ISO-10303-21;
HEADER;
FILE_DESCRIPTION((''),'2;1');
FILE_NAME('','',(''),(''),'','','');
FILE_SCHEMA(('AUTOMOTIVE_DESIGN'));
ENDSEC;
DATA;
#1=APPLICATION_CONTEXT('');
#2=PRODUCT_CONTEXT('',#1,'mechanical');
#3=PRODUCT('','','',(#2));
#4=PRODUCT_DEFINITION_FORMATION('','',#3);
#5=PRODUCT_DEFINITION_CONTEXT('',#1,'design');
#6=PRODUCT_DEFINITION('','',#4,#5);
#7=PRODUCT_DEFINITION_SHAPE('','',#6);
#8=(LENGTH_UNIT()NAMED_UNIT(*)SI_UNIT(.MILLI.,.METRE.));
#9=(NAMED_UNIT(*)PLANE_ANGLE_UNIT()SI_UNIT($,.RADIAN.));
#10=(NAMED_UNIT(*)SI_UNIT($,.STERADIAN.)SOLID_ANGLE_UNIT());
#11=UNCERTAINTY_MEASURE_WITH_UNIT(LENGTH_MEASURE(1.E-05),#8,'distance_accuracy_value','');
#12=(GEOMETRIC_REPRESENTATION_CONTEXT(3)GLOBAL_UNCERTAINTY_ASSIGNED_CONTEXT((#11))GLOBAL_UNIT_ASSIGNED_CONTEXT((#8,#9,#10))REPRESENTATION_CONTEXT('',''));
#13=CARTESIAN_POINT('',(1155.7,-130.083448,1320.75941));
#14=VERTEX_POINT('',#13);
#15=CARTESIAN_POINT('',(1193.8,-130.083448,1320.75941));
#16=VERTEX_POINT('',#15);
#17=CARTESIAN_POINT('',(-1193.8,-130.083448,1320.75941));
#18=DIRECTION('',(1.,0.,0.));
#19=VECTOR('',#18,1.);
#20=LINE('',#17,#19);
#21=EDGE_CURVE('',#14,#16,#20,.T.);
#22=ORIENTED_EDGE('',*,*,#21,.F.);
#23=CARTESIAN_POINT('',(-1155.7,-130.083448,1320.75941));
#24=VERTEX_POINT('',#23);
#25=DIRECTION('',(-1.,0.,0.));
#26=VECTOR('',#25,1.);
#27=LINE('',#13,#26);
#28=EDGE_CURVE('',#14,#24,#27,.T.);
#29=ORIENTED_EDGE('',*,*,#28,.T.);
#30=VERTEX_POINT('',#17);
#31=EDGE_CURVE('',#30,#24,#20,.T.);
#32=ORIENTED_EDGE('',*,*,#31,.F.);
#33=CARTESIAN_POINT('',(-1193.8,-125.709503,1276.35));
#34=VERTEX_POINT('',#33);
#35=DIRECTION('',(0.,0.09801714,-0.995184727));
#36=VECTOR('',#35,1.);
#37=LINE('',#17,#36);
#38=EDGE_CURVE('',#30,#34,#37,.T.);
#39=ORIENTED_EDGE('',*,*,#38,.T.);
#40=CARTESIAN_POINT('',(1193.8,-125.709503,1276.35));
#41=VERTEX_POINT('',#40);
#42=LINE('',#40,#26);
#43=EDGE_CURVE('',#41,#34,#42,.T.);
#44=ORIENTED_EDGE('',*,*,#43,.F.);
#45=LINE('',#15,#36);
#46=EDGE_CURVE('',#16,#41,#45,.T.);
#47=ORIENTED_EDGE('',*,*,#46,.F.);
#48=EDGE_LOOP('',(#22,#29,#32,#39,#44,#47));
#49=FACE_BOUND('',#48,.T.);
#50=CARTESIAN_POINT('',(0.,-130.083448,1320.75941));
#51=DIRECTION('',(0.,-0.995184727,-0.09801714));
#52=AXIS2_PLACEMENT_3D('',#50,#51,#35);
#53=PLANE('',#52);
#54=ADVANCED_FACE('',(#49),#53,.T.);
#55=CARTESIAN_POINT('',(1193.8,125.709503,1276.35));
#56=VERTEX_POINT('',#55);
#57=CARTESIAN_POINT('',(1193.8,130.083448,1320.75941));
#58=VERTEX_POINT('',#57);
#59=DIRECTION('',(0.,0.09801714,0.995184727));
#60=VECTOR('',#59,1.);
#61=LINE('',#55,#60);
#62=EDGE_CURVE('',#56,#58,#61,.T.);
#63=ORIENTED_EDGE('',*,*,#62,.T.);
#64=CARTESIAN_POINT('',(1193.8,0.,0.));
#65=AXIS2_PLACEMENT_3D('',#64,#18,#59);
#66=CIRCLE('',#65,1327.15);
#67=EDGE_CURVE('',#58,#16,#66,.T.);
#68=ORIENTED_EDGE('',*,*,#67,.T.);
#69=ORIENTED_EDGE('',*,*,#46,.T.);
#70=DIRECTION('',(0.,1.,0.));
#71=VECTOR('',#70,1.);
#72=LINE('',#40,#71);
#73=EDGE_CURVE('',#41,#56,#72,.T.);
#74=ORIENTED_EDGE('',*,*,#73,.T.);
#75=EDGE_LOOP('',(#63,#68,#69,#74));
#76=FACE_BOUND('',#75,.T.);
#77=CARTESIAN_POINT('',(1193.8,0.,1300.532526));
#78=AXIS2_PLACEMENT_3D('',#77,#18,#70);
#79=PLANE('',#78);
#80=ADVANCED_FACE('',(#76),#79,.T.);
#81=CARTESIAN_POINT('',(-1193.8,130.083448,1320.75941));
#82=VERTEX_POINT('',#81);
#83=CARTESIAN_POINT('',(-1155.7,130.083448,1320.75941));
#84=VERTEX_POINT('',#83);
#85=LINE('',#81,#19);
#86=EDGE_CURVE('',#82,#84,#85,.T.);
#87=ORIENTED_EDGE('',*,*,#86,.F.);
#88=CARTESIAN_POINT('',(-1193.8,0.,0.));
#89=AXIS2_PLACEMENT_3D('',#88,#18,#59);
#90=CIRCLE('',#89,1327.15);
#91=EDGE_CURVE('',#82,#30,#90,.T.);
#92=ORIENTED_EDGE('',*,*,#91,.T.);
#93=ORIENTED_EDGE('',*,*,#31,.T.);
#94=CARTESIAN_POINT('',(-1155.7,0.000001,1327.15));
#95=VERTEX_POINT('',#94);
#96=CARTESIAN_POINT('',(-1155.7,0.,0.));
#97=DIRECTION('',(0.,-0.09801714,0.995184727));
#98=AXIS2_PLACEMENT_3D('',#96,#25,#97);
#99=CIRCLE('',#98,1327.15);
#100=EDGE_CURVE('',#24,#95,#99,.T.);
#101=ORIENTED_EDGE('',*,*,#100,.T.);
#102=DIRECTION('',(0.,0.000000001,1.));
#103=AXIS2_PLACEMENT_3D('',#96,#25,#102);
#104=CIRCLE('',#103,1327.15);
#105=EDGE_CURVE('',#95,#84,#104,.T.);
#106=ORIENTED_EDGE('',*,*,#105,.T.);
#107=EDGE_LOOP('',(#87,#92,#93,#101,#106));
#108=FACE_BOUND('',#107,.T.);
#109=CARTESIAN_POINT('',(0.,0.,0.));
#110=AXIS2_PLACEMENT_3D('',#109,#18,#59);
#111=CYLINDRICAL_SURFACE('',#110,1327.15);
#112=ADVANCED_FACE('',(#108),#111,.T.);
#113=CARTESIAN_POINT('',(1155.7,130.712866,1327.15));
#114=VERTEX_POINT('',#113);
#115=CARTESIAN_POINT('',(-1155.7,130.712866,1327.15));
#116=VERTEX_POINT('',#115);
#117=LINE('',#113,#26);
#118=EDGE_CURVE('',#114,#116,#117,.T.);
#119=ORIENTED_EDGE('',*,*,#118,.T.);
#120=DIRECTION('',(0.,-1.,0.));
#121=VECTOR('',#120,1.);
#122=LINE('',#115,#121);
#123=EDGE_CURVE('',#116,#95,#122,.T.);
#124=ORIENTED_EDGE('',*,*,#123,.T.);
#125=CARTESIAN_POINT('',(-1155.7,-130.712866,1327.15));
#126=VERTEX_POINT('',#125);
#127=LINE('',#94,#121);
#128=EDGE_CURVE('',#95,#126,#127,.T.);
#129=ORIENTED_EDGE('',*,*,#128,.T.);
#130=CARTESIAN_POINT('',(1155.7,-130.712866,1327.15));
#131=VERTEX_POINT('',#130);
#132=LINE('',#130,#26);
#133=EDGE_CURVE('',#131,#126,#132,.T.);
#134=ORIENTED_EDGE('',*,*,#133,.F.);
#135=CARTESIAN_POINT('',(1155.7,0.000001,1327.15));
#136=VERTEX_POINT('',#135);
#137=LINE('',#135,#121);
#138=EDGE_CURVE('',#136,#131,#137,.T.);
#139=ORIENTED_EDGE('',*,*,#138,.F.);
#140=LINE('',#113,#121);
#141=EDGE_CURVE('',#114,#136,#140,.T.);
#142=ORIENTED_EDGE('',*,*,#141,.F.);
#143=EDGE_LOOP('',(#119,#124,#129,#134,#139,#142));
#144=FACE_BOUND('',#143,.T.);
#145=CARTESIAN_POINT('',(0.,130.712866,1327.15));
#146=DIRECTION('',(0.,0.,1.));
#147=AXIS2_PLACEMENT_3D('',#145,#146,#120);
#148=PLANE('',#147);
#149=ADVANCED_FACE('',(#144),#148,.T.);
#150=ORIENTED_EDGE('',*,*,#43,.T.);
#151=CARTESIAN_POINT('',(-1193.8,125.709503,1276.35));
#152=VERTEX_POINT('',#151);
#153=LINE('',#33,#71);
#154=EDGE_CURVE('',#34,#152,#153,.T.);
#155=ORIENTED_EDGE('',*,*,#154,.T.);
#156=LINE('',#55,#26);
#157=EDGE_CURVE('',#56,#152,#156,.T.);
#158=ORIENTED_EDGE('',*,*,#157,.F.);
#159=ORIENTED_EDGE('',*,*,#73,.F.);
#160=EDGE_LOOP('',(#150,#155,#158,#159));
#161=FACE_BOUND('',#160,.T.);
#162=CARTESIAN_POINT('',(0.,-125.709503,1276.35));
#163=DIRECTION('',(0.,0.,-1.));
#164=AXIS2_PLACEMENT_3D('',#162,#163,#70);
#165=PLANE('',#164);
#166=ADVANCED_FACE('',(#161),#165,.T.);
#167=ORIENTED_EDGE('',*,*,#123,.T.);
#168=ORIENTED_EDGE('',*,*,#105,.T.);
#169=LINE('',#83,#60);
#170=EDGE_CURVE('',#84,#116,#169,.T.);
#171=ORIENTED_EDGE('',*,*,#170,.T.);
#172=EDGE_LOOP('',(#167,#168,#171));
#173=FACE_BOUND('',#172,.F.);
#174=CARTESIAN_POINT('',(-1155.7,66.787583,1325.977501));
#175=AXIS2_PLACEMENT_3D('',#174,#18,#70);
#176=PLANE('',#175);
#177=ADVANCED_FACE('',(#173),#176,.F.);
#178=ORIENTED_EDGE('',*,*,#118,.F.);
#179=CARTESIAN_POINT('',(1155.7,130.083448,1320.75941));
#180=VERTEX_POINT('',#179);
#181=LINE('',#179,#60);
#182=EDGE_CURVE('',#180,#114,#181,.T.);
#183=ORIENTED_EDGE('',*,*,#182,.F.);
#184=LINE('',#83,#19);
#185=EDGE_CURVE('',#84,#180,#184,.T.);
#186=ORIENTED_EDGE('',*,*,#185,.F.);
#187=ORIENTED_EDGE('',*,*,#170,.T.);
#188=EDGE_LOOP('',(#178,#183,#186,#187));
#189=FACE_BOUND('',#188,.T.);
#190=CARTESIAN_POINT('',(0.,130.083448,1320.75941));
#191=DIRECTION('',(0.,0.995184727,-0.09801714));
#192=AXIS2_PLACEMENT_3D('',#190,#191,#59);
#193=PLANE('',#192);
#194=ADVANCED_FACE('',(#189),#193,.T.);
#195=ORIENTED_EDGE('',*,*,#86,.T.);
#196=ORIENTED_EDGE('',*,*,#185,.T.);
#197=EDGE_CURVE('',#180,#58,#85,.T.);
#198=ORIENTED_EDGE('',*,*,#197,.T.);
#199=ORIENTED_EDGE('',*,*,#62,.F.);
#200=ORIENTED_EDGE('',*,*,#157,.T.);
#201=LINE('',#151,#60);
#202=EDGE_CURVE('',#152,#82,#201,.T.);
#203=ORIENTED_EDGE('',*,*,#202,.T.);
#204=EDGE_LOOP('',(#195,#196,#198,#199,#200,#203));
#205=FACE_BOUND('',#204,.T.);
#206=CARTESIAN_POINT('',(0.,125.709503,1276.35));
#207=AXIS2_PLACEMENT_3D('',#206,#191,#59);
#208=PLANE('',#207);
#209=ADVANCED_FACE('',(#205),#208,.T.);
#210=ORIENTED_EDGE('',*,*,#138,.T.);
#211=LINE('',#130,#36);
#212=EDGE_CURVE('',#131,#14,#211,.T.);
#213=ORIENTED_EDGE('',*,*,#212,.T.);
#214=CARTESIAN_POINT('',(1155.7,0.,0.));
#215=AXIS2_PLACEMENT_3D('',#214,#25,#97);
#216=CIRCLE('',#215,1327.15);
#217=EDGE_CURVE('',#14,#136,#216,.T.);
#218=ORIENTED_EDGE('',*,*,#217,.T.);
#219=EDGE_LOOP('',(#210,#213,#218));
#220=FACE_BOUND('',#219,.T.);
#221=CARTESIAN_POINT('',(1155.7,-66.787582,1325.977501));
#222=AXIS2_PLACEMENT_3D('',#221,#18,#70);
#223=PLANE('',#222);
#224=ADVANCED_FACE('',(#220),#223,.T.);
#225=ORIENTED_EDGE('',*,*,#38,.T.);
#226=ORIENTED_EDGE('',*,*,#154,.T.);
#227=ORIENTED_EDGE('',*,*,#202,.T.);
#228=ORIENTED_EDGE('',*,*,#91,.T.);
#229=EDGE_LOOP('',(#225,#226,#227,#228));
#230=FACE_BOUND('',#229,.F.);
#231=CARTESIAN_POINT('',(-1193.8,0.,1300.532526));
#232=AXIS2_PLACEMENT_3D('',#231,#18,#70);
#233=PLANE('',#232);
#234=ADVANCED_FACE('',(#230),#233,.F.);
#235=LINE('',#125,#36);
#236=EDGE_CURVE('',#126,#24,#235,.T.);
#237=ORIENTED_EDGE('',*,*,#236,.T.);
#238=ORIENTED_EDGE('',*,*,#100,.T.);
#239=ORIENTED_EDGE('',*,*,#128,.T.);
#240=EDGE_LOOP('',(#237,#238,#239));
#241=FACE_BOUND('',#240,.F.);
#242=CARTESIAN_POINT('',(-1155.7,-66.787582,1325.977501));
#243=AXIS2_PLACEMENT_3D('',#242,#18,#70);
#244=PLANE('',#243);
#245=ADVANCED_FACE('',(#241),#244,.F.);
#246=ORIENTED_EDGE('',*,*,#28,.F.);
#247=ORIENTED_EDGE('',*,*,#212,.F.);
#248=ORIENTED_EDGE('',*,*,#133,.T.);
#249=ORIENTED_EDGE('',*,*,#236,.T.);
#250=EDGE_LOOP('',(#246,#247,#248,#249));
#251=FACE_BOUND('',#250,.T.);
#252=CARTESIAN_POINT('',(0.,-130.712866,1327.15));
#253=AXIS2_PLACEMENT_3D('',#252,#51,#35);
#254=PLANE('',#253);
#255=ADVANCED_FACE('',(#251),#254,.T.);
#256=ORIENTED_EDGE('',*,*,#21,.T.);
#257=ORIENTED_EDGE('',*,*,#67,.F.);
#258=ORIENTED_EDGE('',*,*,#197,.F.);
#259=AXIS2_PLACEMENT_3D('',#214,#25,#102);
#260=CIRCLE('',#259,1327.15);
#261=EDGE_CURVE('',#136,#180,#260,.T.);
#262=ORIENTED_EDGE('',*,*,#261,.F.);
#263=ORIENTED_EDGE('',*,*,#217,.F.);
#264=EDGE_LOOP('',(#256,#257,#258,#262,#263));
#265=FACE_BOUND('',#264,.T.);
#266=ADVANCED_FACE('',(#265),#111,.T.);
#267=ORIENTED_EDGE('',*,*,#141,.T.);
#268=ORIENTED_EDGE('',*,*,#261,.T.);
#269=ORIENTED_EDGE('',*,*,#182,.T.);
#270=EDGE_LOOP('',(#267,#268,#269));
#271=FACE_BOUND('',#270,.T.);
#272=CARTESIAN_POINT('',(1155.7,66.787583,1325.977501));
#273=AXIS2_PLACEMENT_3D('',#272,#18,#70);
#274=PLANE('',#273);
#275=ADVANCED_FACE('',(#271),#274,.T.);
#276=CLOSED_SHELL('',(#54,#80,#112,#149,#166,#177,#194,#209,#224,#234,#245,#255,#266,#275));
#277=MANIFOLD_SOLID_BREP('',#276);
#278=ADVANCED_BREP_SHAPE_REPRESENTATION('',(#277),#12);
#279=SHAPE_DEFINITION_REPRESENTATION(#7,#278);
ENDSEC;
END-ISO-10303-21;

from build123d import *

# Parameters (mm, degrees)
F1_DEPTH = 1193.8
F2_DEPTH = 1155.7


with BuildPart() as f1:
    # F0 (on Right) → F1 (new body, symmetric)
    with BuildSketch(Plane.YZ):
        with BuildLine():
            Line((125.7095026749, 1276.35), (130.0834477884, 1320.759410003))
            ThreePointArc((130.0834477884, 1320.759410003), (65.1201645529, 1325.5513896747), (1.1399e-06, 1327.15))
            ThreePointArc((1.1399e-06, 1327.15), (-65.1201634144, 1325.5513897307), (-130.0834477884, 1320.759410003))
            Line((-130.0834477884, 1320.759410003), (-125.7095026749, 1276.35))
            Line((-125.7095026749, 1276.35), (125.7095026749, 1276.35))
        make_face()
    extrude(amount=F1_DEPTH, both=True)

    # F0 (on Right) → F2 (join, symmetric)
    with BuildSketch(Plane.YZ):
        with BuildLine():
            Line((-130.7128659655, 1327.15), (-130.0834477884, 1320.759410003))
            ThreePointArc((-130.0834477884, 1320.759410003), (-65.1201634144, 1325.5513897307), (1.1399e-06, 1327.15))
            Line((1.1399e-06, 1327.15), (-130.7128659655, 1327.15))
        make_face()
        with BuildLine():
            ThreePointArc((1.1399e-06, 1327.15), (65.1201645529, 1325.5513896747), (130.0834477884, 1320.759410003))
            Line((130.0834477884, 1320.759410003), (130.7128659655, 1327.15))
            Line((130.7128659655, 1327.15), (1.1399e-06, 1327.15))
        make_face()
    extrude(amount=F2_DEPTH, both=True)


solid = f1.part
